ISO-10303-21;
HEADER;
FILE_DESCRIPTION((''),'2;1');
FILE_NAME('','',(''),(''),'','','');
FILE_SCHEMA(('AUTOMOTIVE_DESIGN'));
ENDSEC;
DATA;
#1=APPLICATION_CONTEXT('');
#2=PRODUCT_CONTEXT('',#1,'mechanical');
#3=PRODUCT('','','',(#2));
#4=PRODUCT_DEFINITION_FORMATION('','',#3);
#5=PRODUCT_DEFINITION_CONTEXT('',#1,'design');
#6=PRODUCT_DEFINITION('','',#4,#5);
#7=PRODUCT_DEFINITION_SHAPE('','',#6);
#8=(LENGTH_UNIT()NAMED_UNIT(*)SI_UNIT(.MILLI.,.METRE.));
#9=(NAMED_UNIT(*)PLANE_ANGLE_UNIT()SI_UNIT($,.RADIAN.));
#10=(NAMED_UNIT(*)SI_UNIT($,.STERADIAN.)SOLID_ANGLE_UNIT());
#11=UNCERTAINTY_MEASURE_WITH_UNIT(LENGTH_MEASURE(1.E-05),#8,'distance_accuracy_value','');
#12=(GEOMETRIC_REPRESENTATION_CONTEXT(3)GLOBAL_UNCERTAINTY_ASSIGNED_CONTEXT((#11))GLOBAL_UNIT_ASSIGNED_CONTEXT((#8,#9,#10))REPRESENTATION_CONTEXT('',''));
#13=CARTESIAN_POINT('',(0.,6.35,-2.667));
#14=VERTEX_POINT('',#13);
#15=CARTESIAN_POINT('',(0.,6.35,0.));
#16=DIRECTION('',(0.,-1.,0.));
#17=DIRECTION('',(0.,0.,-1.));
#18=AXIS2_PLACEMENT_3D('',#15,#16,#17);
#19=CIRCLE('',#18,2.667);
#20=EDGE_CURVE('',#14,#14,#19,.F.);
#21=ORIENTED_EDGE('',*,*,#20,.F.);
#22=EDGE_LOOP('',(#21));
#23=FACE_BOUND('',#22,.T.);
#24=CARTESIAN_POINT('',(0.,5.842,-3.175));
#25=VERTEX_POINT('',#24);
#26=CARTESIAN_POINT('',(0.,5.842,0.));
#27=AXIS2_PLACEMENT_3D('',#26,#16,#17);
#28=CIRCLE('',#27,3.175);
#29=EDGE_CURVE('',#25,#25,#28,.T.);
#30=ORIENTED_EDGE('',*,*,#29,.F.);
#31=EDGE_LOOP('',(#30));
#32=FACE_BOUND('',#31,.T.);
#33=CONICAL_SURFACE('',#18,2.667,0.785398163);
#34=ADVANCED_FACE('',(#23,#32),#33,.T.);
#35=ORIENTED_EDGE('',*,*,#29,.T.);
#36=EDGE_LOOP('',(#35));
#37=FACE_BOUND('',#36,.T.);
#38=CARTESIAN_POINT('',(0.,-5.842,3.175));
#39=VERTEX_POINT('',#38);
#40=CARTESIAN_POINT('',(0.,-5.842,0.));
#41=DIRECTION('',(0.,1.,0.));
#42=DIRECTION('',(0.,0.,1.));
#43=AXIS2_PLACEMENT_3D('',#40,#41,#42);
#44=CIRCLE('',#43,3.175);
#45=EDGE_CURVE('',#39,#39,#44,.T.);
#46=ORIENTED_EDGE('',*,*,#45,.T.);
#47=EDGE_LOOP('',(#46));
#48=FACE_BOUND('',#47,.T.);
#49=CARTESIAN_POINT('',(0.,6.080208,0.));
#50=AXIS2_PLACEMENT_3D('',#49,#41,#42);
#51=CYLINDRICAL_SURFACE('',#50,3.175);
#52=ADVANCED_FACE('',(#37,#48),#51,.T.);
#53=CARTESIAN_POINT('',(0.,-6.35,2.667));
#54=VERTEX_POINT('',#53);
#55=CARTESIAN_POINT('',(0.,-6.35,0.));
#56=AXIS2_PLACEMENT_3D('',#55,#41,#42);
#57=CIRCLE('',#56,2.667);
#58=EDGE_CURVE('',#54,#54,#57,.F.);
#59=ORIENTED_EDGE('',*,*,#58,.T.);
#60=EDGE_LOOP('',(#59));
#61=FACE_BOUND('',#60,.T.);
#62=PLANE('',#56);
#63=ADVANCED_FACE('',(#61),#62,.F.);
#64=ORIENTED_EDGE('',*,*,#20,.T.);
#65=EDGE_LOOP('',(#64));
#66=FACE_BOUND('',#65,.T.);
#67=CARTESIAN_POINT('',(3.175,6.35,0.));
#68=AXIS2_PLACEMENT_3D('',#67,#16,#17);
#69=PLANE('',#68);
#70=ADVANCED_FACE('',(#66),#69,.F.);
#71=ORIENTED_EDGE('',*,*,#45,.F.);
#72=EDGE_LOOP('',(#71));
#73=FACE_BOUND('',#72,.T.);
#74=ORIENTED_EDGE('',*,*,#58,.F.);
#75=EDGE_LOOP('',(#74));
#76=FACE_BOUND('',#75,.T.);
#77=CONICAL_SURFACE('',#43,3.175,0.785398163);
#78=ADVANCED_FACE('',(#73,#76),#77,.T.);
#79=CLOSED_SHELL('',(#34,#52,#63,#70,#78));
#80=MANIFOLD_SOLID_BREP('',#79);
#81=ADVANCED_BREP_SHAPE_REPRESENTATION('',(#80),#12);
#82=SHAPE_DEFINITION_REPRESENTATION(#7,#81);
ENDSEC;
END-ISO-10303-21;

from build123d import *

# Parameters (mm, degrees)
SKETCH1_W     = 3.175
SKETCH1_H     = 12.7
CHAMFER1_SIZE = 0.508


with BuildPart() as part:
    # Sketch1 → Revolve1 (revolve)
    with BuildSketch(Plane.XY):
        with Locations((1.5875, 0)):
            Rectangle(SKETCH1_W, SKETCH1_H)
    revolve(axis=Axis((0, 6.080207887, 0), (0, -1, 0)))

    # Chamfer1
    chamfer1_edges = [part.edges().sort_by_distance(p)[0] for p in [
        (-3.175, 6.35, 0),
        (-3.175, -6.35, 0),
    ]]
    chamfer(chamfer1_edges, length=CHAMFER1_SIZE)


solid = part.part
